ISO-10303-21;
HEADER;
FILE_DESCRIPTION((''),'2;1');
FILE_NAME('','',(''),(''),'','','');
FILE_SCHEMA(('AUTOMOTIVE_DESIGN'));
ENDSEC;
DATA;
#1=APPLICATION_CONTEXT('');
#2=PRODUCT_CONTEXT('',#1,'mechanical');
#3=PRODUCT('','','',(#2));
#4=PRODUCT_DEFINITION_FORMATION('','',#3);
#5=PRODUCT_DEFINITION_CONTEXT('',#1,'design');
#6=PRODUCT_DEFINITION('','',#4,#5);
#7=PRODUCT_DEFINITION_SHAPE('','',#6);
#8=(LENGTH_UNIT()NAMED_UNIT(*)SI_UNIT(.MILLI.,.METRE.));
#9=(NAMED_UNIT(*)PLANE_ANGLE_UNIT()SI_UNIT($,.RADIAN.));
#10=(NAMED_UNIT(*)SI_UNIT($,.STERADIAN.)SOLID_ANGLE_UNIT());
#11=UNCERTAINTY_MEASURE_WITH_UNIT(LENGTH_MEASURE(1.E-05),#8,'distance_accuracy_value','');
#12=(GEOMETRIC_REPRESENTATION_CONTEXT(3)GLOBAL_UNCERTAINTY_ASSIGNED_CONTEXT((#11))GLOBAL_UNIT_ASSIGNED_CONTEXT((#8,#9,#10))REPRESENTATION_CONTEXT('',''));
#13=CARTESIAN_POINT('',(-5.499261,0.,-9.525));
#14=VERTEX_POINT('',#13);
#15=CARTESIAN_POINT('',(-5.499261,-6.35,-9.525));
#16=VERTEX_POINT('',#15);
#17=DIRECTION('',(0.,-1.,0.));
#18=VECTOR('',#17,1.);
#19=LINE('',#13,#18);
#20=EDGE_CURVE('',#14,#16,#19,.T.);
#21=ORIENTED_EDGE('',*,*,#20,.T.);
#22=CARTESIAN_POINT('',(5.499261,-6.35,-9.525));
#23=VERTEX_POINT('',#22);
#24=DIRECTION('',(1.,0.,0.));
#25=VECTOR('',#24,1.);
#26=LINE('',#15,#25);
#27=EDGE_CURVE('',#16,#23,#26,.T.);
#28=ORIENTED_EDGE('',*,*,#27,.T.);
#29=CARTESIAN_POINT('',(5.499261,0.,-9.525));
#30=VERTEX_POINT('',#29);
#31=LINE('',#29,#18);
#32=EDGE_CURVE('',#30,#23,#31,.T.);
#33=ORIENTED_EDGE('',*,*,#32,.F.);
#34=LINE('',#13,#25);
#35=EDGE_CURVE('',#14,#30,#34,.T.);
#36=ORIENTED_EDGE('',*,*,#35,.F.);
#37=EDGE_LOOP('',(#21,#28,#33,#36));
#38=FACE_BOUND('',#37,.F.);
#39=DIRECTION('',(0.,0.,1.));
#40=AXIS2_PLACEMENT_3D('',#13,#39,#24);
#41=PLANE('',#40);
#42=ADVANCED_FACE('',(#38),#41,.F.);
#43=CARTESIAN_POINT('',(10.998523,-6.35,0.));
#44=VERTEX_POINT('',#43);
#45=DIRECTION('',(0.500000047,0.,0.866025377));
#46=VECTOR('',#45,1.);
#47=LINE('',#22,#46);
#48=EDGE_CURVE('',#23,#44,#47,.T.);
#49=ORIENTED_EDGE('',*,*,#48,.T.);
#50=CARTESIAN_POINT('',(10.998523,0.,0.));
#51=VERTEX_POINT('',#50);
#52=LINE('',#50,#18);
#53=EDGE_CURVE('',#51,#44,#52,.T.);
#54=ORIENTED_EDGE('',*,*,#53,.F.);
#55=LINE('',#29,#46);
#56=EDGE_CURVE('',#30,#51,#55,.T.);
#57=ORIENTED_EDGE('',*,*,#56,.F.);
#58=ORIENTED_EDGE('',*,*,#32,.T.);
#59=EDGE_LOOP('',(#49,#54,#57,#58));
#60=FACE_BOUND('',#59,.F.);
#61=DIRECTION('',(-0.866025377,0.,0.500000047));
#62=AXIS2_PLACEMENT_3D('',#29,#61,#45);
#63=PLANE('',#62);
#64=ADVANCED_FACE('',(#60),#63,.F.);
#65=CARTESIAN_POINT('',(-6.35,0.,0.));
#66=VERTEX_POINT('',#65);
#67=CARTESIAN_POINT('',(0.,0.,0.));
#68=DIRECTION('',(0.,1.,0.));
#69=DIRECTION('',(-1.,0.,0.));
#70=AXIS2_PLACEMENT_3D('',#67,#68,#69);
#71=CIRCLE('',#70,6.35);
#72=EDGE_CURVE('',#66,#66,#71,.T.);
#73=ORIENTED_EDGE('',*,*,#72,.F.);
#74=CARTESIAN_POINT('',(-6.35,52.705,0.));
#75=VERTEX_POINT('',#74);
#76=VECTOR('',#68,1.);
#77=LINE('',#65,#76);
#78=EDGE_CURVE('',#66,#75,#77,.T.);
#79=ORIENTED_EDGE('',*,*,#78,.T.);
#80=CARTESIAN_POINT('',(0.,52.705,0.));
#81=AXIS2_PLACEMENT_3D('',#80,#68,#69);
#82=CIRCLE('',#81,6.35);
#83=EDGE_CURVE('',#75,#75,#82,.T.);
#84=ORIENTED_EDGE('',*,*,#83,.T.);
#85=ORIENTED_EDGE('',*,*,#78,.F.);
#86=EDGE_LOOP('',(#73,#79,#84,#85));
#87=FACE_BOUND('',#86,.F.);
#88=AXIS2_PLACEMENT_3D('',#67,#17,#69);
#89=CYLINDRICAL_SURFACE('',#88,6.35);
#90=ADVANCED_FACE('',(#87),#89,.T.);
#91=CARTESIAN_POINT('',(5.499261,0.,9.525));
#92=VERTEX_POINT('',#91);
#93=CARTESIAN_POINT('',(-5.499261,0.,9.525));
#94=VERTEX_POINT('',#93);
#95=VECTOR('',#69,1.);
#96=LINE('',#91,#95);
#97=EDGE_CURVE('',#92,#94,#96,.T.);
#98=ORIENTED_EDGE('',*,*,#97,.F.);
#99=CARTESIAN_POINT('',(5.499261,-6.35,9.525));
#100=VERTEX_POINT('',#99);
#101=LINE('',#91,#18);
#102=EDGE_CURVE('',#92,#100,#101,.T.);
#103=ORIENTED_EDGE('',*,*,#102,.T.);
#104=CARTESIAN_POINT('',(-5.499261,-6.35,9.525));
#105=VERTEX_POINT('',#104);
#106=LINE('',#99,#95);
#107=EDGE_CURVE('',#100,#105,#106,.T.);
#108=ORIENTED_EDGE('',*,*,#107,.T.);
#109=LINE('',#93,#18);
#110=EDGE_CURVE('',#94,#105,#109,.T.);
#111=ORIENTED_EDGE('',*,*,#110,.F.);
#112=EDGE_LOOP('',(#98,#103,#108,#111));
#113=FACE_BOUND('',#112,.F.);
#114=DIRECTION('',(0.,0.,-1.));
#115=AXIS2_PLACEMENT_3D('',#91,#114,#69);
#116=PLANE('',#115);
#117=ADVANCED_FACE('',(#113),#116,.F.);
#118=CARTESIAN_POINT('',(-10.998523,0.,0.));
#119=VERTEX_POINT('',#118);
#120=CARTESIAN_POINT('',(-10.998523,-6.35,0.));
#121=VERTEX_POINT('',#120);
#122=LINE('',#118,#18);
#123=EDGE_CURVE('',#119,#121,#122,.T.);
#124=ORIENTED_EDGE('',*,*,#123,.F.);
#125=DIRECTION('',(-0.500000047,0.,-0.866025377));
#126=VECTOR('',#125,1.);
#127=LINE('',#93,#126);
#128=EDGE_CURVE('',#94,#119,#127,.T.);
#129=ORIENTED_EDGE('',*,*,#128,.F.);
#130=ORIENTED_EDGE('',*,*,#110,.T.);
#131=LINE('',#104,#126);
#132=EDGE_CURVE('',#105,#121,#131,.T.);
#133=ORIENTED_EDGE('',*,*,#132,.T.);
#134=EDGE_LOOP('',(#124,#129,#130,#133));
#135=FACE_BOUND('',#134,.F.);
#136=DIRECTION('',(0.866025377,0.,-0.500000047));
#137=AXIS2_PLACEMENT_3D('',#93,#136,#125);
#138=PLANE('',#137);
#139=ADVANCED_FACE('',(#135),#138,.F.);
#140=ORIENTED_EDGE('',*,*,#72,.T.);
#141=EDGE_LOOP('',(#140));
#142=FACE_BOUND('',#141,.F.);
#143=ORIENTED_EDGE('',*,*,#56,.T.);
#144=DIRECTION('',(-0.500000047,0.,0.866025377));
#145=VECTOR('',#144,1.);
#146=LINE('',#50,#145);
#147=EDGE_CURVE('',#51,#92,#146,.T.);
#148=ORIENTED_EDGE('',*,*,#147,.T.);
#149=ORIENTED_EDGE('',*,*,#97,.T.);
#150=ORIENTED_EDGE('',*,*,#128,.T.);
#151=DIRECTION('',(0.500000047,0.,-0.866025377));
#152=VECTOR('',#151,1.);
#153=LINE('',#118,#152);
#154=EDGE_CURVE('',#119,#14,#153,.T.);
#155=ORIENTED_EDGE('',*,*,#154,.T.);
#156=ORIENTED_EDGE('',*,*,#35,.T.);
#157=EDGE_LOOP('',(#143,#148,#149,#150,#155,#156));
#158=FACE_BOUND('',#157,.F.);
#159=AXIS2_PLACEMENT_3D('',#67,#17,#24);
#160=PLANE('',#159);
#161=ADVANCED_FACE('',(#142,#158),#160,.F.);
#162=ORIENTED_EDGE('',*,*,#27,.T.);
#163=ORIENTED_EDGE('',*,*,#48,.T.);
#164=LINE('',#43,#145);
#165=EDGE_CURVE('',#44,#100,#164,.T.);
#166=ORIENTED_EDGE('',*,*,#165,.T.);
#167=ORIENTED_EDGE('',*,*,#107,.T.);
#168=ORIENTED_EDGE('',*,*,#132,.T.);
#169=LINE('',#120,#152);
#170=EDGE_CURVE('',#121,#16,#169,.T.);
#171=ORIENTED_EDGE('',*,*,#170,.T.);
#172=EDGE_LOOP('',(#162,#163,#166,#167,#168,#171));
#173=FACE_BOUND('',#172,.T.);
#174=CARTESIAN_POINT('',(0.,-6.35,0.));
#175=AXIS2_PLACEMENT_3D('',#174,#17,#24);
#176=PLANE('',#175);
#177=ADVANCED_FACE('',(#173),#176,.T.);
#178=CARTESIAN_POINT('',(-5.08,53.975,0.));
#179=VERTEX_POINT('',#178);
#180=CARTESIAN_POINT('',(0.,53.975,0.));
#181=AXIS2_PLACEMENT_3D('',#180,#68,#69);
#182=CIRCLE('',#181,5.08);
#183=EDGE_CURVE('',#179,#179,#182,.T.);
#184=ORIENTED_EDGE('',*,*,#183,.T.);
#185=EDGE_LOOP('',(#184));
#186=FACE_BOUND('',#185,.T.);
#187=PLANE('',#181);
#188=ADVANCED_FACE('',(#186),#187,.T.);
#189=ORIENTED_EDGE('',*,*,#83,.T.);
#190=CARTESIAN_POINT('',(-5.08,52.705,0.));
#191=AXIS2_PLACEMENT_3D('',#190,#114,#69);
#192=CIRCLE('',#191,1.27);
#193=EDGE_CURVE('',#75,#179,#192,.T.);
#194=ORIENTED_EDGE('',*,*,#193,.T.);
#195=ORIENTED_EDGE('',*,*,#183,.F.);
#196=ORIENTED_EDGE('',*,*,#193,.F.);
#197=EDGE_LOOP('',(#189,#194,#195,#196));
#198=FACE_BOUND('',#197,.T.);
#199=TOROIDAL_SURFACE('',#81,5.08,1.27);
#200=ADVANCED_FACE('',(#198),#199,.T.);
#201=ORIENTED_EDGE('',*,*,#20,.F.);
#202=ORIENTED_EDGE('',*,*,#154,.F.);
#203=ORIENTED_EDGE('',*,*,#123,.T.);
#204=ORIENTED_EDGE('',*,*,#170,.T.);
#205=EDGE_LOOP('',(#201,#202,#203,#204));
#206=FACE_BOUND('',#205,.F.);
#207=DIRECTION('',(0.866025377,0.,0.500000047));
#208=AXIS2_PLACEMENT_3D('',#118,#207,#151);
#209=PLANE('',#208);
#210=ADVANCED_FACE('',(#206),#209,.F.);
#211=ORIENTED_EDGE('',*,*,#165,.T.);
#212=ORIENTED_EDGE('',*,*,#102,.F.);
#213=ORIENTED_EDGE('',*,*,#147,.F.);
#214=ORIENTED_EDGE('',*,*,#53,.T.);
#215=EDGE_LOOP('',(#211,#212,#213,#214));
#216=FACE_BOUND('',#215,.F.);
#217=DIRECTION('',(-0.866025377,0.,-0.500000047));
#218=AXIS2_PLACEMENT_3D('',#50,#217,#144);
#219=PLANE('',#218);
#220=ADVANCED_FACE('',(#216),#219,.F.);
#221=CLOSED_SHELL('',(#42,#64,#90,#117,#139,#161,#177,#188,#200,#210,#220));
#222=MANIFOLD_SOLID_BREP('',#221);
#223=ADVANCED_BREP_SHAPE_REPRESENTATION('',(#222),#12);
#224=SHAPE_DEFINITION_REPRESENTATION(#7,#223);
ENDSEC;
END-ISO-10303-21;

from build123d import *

# Parameters (mm, degrees)
F1_DEPTH = 6.35
F2_R     = 6.35
F3_DEPTH = 53.975
F4_R     = 1.27


with BuildPart() as f1:
    # F0 (on Front) → F1 (new body)
    with BuildSketch(Plane.XZ):
        Polygon((-5.499261, 9.525), (-10.998523, 0), (-5.499261, -9.525), (5.499261, -9.525), (10.998523, 0), (5.499261, 9.525), align=None)
    extrude(amount=F1_DEPTH)

    # F2 (on face) → F3 (join)
    with BuildSketch(Plane(origin=(0, 0, 0), x_dir=(-1, 0, 0), z_dir=(0, 1, 0))):
        Circle(F2_R)
    extrude(amount=F3_DEPTH)

    # F4
    f4_edges = [f1.edges().sort_by_distance(p)[0] for p in [
        (6.35, 53.975, 0),
    ]]
    fillet(f4_edges, radius=F4_R)


solid = f1.part
